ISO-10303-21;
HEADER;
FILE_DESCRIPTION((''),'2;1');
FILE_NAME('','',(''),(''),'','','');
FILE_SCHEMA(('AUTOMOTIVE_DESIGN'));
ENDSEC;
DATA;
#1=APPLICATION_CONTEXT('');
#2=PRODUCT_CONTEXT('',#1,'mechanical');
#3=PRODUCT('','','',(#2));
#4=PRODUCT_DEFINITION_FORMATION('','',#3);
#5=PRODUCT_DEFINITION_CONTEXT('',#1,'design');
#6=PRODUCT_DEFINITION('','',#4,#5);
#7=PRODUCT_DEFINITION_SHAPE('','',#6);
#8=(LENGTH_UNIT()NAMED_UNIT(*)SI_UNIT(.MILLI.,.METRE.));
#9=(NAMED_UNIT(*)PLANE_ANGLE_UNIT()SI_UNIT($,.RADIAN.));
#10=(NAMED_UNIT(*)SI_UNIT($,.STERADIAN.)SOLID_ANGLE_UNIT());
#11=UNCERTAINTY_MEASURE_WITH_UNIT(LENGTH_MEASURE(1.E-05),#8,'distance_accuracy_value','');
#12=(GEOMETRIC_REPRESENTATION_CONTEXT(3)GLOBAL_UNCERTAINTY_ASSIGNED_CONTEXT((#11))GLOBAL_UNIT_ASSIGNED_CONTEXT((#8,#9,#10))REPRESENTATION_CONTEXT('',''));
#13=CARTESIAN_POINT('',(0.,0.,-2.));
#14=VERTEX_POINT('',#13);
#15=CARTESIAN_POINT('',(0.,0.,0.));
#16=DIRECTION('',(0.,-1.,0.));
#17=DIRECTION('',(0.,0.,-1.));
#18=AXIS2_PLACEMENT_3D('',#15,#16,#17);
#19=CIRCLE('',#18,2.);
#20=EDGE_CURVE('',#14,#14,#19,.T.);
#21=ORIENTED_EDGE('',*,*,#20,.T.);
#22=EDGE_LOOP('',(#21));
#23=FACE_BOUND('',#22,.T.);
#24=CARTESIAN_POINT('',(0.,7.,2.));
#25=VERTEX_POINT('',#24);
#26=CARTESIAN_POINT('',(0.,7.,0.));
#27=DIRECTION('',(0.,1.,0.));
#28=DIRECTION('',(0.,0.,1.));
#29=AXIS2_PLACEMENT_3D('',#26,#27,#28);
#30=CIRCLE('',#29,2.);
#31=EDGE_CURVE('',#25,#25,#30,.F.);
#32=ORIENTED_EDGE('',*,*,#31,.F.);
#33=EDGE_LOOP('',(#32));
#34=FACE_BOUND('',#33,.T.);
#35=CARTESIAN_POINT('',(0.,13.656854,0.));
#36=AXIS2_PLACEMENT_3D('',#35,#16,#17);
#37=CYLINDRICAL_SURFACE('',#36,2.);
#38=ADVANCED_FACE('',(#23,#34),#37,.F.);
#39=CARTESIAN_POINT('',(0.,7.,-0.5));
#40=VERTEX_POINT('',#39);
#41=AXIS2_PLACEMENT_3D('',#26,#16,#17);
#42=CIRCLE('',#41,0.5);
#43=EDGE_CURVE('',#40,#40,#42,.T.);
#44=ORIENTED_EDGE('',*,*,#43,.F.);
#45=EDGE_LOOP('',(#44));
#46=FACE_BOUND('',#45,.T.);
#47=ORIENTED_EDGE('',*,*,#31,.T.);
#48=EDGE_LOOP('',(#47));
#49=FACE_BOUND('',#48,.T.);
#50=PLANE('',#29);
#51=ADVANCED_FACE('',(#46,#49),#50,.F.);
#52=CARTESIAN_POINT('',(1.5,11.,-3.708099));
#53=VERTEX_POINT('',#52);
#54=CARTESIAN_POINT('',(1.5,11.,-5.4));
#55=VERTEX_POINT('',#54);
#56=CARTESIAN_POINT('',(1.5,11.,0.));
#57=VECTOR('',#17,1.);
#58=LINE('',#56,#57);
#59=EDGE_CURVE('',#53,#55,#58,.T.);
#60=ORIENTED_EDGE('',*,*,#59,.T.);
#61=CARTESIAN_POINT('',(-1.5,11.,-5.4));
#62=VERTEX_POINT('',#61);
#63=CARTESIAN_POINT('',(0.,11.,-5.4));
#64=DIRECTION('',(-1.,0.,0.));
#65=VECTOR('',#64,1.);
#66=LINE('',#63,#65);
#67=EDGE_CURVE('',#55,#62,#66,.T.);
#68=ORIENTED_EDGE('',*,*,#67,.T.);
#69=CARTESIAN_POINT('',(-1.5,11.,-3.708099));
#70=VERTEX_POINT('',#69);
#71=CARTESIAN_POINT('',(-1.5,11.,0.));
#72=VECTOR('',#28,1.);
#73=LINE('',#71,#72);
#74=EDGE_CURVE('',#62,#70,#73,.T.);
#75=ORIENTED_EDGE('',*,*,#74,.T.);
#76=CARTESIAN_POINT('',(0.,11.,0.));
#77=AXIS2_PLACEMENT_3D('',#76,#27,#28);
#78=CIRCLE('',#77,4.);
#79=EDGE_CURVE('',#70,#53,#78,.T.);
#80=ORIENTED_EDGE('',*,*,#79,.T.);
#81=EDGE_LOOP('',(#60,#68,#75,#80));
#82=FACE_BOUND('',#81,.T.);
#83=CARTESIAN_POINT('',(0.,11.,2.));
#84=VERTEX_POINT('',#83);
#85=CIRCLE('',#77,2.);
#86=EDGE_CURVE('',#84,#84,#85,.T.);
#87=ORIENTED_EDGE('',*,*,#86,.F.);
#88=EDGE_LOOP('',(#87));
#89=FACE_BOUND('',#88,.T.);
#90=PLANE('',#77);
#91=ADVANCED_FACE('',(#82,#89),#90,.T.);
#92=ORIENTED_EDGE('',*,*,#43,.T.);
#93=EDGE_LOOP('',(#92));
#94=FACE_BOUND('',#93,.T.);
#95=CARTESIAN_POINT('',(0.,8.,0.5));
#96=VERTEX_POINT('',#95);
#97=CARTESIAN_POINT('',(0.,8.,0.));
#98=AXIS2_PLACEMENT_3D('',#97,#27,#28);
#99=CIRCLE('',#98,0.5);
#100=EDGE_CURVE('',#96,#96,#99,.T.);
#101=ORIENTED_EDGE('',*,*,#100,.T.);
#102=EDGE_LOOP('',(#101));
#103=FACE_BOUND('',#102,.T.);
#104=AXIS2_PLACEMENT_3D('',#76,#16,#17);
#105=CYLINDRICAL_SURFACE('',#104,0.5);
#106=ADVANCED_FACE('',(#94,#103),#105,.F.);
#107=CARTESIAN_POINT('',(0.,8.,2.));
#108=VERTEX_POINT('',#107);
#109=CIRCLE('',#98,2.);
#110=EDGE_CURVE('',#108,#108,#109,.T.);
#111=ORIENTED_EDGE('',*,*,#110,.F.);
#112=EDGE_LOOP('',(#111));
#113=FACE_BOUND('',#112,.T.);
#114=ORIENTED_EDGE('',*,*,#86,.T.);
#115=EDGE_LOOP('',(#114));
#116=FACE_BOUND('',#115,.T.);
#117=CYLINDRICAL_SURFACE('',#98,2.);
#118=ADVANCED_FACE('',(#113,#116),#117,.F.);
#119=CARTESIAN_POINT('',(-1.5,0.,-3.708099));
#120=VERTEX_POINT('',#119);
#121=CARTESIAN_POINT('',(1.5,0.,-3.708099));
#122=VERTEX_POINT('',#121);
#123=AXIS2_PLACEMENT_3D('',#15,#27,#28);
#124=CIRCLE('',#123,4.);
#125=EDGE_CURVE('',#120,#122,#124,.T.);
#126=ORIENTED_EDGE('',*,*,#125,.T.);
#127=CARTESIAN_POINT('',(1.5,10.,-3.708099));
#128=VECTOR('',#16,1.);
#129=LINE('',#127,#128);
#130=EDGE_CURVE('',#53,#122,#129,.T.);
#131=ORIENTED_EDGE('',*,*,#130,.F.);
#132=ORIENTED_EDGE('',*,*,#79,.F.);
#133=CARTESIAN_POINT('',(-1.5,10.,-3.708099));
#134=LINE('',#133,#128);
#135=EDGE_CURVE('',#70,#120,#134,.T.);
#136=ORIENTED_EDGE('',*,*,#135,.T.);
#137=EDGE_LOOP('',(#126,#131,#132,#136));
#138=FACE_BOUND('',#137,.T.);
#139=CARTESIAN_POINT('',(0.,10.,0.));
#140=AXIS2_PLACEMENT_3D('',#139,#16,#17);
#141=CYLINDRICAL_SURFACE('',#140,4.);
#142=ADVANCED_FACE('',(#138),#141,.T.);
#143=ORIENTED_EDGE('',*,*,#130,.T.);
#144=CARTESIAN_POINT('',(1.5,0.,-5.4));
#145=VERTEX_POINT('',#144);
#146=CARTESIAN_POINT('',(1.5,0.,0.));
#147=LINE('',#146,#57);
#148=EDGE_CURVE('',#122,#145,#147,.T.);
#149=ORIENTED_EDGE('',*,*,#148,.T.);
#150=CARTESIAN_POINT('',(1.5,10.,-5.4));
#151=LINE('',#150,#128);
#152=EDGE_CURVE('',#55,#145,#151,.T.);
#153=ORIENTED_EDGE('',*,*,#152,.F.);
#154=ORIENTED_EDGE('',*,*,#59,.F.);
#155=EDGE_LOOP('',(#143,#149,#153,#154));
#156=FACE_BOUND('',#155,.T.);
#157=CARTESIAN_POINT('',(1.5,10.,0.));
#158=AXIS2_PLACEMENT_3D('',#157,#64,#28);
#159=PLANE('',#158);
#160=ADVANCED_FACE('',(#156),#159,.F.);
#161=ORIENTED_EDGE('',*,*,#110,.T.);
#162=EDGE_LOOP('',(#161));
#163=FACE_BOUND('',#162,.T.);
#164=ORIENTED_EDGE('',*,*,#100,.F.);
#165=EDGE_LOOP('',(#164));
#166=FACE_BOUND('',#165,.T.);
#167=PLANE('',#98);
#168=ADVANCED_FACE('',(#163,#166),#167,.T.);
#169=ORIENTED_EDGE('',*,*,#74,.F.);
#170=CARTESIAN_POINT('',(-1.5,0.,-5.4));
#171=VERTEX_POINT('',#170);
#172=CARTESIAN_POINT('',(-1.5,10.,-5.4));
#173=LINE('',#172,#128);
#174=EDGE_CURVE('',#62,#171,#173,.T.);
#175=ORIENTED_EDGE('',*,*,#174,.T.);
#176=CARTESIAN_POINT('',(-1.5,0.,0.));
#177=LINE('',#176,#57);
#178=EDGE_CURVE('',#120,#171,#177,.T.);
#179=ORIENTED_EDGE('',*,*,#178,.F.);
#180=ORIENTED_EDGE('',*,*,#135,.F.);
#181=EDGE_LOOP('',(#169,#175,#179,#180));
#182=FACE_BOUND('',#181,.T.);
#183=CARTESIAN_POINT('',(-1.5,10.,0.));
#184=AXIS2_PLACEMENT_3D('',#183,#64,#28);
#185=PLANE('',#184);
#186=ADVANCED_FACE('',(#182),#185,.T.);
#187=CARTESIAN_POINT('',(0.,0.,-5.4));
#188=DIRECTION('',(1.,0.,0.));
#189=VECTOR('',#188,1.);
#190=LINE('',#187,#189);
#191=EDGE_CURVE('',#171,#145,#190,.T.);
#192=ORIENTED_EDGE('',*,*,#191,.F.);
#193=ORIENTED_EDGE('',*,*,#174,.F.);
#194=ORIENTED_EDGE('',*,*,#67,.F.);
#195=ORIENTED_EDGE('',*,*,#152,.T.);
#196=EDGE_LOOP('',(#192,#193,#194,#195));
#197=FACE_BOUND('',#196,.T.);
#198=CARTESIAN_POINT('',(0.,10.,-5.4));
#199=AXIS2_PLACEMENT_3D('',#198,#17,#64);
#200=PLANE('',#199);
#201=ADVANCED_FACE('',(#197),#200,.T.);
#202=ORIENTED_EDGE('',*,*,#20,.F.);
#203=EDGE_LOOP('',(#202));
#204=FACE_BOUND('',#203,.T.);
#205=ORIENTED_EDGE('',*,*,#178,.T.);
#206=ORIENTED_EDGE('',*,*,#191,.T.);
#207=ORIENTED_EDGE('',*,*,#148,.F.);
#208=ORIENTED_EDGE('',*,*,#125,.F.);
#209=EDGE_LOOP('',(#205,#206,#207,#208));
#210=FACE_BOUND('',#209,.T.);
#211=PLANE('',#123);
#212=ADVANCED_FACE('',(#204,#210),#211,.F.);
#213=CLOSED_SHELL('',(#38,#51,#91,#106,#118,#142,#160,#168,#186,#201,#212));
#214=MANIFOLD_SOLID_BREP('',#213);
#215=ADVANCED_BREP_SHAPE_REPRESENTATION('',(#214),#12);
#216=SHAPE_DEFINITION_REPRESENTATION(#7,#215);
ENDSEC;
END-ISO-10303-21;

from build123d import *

# Parameters (mm, degrees)
EXTRUDE_3_DEPTH     = 10
EXTRUDE_4_DEPTH     = 1
SKETCH_6_R          = 2
CUT_EXTRUDE_1_DEPTH = 3
EXTRUDE_5_DEPTH     = 1
CUT_EXTRUDE_START   = -7
SKETCH_9_R          = 2
CUT_EXTRUDE_3_DEPTH = 7
SKETCH_10_R         = 0.5
CUT_EXTRUDE_5_DEPTH = 10.703607577


with BuildPart() as part:
    # 草图4 → 凸台-拉伸3 (new body)
    with BuildSketch(Plane(origin=(0, 0, 0), x_dir=(1, 0, 0), z_dir=(0, 1, 0))):
        with BuildLine():
            Line((-1.5, 3.708099244), (-1.5, 0))
            Line((-1.5, 0), (1.5, 0))
            Line((1.5, 0), (1.5, 3.708099244))
            ThreePointArc((1.5, 3.708099244), (0, 4), (-1.5, 3.708099244))
        make_face()
        with BuildLine():
            Line((1.5, 0), (-1.5, 0))
            Line((-1.5, 0), (-1.5, 3.708099244))
            ThreePointArc((-1.5, 3.708099244), (-2.236067977, -3.31662479), (4, 0))
            ThreePointArc((4, 0), (3.31662479, 2.236067977), (1.5, 3.708099244))
            Line((1.5, 3.708099244), (1.5, 0))
        make_face()
        with BuildLine():
            Line((-1.5, 3.708099244), (-1.5, 0))
            Line((-1.5, 0), (1.5, 0))
            Line((1.5, 0), (1.5, 3.708099244))
            ThreePointArc((1.5, 3.708099244), (0, 4), (-1.5, 3.708099244))
        make_face()
        with BuildLine():
            Line((1.5, 0), (-1.5, 0))
            Line((-1.5, 0), (-1.5, 3.708099244))
            ThreePointArc((-1.5, 3.708099244), (-2.236067977, -3.31662479), (4, 0))
            ThreePointArc((4, 0), (3.31662479, 2.236067977), (1.5, 3.708099244))
            Line((1.5, 3.708099244), (1.5, 0))
        make_face()
        with BuildLine():
            Line((-1.5, 5.4), (-1.5, 3.708099244))
            ThreePointArc((-1.5, 3.708099244), (0, 4), (1.5, 3.708099244))
            Line((1.5, 3.708099244), (1.5, 5.4))
            Line((1.5, 5.4), (-1.5, 5.4))
        make_face()
    extrude(amount=EXTRUDE_3_DEPTH)

    # 草图5 → 凸台-拉伸4 (add)
    with BuildSketch(Plane(origin=(0, 10, 0), x_dir=(1, 0, 0), z_dir=(0, 1, 0))):
        with BuildLine():
            ThreePointArc((4, 0), (3.31662479, 2.236067977), (1.5, 3.708099244))
            ThreePointArc((1.5, 3.708099244), (0, 4), (-1.5, 3.708099244))
            ThreePointArc((-1.5, 3.708099244), (-2.236067977, -3.31662479), (4, 0))
        make_face()
    extrude(amount=EXTRUDE_4_DEPTH)

    # 草图6 → 切除-拉伸1 (cut)
    with BuildSketch(Plane(origin=(0, 11, 0), x_dir=(1, 0, 0), z_dir=(0, 1, 0))):
        with Locations(Location((0, 0, 0), (0, 0, 270))):
            Circle(SKETCH_6_R)
    extrude(amount=-CUT_EXTRUDE_1_DEPTH, mode=Mode.SUBTRACT)

    # 草图7 → 凸台-拉伸5 (add)
    with BuildSketch(Plane(origin=(0, 10, 0), x_dir=(1, 0, 0), z_dir=(0, 1, 0))):
        with BuildLine():
            ThreePointArc((-1.5, 3.708099244), (0, 4), (1.5, 3.708099244))
            Line((1.5, 3.708099244), (1.5, 5.4))
            Line((1.5, 5.4), (-1.5, 5.4))
            Line((-1.5, 5.4), (-1.5, 3.708099244))
        make_face()
    extrude(amount=EXTRUDE_5_DEPTH)

    # 草图9 → 切除-拉伸3 (cut)
    with BuildSketch(Plane.XZ.offset(CUT_EXTRUDE_START)):
        with Locations(Location((0, 0, 0), (0, 0, 90))):
            Circle(SKETCH_9_R)
    extrude(amount=CUT_EXTRUDE_3_DEPTH, mode=Mode.SUBTRACT)

    # 草图10 → 切除-拉伸5 (cut, through all)
    with BuildSketch(Plane.XZ.offset(-7)):
        with Locations(Location((0, 0, 0), (0, 0, 270))):
            Circle(SKETCH_10_R)
    extrude(amount=-CUT_EXTRUDE_5_DEPTH, mode=Mode.SUBTRACT)


solid = part.part
